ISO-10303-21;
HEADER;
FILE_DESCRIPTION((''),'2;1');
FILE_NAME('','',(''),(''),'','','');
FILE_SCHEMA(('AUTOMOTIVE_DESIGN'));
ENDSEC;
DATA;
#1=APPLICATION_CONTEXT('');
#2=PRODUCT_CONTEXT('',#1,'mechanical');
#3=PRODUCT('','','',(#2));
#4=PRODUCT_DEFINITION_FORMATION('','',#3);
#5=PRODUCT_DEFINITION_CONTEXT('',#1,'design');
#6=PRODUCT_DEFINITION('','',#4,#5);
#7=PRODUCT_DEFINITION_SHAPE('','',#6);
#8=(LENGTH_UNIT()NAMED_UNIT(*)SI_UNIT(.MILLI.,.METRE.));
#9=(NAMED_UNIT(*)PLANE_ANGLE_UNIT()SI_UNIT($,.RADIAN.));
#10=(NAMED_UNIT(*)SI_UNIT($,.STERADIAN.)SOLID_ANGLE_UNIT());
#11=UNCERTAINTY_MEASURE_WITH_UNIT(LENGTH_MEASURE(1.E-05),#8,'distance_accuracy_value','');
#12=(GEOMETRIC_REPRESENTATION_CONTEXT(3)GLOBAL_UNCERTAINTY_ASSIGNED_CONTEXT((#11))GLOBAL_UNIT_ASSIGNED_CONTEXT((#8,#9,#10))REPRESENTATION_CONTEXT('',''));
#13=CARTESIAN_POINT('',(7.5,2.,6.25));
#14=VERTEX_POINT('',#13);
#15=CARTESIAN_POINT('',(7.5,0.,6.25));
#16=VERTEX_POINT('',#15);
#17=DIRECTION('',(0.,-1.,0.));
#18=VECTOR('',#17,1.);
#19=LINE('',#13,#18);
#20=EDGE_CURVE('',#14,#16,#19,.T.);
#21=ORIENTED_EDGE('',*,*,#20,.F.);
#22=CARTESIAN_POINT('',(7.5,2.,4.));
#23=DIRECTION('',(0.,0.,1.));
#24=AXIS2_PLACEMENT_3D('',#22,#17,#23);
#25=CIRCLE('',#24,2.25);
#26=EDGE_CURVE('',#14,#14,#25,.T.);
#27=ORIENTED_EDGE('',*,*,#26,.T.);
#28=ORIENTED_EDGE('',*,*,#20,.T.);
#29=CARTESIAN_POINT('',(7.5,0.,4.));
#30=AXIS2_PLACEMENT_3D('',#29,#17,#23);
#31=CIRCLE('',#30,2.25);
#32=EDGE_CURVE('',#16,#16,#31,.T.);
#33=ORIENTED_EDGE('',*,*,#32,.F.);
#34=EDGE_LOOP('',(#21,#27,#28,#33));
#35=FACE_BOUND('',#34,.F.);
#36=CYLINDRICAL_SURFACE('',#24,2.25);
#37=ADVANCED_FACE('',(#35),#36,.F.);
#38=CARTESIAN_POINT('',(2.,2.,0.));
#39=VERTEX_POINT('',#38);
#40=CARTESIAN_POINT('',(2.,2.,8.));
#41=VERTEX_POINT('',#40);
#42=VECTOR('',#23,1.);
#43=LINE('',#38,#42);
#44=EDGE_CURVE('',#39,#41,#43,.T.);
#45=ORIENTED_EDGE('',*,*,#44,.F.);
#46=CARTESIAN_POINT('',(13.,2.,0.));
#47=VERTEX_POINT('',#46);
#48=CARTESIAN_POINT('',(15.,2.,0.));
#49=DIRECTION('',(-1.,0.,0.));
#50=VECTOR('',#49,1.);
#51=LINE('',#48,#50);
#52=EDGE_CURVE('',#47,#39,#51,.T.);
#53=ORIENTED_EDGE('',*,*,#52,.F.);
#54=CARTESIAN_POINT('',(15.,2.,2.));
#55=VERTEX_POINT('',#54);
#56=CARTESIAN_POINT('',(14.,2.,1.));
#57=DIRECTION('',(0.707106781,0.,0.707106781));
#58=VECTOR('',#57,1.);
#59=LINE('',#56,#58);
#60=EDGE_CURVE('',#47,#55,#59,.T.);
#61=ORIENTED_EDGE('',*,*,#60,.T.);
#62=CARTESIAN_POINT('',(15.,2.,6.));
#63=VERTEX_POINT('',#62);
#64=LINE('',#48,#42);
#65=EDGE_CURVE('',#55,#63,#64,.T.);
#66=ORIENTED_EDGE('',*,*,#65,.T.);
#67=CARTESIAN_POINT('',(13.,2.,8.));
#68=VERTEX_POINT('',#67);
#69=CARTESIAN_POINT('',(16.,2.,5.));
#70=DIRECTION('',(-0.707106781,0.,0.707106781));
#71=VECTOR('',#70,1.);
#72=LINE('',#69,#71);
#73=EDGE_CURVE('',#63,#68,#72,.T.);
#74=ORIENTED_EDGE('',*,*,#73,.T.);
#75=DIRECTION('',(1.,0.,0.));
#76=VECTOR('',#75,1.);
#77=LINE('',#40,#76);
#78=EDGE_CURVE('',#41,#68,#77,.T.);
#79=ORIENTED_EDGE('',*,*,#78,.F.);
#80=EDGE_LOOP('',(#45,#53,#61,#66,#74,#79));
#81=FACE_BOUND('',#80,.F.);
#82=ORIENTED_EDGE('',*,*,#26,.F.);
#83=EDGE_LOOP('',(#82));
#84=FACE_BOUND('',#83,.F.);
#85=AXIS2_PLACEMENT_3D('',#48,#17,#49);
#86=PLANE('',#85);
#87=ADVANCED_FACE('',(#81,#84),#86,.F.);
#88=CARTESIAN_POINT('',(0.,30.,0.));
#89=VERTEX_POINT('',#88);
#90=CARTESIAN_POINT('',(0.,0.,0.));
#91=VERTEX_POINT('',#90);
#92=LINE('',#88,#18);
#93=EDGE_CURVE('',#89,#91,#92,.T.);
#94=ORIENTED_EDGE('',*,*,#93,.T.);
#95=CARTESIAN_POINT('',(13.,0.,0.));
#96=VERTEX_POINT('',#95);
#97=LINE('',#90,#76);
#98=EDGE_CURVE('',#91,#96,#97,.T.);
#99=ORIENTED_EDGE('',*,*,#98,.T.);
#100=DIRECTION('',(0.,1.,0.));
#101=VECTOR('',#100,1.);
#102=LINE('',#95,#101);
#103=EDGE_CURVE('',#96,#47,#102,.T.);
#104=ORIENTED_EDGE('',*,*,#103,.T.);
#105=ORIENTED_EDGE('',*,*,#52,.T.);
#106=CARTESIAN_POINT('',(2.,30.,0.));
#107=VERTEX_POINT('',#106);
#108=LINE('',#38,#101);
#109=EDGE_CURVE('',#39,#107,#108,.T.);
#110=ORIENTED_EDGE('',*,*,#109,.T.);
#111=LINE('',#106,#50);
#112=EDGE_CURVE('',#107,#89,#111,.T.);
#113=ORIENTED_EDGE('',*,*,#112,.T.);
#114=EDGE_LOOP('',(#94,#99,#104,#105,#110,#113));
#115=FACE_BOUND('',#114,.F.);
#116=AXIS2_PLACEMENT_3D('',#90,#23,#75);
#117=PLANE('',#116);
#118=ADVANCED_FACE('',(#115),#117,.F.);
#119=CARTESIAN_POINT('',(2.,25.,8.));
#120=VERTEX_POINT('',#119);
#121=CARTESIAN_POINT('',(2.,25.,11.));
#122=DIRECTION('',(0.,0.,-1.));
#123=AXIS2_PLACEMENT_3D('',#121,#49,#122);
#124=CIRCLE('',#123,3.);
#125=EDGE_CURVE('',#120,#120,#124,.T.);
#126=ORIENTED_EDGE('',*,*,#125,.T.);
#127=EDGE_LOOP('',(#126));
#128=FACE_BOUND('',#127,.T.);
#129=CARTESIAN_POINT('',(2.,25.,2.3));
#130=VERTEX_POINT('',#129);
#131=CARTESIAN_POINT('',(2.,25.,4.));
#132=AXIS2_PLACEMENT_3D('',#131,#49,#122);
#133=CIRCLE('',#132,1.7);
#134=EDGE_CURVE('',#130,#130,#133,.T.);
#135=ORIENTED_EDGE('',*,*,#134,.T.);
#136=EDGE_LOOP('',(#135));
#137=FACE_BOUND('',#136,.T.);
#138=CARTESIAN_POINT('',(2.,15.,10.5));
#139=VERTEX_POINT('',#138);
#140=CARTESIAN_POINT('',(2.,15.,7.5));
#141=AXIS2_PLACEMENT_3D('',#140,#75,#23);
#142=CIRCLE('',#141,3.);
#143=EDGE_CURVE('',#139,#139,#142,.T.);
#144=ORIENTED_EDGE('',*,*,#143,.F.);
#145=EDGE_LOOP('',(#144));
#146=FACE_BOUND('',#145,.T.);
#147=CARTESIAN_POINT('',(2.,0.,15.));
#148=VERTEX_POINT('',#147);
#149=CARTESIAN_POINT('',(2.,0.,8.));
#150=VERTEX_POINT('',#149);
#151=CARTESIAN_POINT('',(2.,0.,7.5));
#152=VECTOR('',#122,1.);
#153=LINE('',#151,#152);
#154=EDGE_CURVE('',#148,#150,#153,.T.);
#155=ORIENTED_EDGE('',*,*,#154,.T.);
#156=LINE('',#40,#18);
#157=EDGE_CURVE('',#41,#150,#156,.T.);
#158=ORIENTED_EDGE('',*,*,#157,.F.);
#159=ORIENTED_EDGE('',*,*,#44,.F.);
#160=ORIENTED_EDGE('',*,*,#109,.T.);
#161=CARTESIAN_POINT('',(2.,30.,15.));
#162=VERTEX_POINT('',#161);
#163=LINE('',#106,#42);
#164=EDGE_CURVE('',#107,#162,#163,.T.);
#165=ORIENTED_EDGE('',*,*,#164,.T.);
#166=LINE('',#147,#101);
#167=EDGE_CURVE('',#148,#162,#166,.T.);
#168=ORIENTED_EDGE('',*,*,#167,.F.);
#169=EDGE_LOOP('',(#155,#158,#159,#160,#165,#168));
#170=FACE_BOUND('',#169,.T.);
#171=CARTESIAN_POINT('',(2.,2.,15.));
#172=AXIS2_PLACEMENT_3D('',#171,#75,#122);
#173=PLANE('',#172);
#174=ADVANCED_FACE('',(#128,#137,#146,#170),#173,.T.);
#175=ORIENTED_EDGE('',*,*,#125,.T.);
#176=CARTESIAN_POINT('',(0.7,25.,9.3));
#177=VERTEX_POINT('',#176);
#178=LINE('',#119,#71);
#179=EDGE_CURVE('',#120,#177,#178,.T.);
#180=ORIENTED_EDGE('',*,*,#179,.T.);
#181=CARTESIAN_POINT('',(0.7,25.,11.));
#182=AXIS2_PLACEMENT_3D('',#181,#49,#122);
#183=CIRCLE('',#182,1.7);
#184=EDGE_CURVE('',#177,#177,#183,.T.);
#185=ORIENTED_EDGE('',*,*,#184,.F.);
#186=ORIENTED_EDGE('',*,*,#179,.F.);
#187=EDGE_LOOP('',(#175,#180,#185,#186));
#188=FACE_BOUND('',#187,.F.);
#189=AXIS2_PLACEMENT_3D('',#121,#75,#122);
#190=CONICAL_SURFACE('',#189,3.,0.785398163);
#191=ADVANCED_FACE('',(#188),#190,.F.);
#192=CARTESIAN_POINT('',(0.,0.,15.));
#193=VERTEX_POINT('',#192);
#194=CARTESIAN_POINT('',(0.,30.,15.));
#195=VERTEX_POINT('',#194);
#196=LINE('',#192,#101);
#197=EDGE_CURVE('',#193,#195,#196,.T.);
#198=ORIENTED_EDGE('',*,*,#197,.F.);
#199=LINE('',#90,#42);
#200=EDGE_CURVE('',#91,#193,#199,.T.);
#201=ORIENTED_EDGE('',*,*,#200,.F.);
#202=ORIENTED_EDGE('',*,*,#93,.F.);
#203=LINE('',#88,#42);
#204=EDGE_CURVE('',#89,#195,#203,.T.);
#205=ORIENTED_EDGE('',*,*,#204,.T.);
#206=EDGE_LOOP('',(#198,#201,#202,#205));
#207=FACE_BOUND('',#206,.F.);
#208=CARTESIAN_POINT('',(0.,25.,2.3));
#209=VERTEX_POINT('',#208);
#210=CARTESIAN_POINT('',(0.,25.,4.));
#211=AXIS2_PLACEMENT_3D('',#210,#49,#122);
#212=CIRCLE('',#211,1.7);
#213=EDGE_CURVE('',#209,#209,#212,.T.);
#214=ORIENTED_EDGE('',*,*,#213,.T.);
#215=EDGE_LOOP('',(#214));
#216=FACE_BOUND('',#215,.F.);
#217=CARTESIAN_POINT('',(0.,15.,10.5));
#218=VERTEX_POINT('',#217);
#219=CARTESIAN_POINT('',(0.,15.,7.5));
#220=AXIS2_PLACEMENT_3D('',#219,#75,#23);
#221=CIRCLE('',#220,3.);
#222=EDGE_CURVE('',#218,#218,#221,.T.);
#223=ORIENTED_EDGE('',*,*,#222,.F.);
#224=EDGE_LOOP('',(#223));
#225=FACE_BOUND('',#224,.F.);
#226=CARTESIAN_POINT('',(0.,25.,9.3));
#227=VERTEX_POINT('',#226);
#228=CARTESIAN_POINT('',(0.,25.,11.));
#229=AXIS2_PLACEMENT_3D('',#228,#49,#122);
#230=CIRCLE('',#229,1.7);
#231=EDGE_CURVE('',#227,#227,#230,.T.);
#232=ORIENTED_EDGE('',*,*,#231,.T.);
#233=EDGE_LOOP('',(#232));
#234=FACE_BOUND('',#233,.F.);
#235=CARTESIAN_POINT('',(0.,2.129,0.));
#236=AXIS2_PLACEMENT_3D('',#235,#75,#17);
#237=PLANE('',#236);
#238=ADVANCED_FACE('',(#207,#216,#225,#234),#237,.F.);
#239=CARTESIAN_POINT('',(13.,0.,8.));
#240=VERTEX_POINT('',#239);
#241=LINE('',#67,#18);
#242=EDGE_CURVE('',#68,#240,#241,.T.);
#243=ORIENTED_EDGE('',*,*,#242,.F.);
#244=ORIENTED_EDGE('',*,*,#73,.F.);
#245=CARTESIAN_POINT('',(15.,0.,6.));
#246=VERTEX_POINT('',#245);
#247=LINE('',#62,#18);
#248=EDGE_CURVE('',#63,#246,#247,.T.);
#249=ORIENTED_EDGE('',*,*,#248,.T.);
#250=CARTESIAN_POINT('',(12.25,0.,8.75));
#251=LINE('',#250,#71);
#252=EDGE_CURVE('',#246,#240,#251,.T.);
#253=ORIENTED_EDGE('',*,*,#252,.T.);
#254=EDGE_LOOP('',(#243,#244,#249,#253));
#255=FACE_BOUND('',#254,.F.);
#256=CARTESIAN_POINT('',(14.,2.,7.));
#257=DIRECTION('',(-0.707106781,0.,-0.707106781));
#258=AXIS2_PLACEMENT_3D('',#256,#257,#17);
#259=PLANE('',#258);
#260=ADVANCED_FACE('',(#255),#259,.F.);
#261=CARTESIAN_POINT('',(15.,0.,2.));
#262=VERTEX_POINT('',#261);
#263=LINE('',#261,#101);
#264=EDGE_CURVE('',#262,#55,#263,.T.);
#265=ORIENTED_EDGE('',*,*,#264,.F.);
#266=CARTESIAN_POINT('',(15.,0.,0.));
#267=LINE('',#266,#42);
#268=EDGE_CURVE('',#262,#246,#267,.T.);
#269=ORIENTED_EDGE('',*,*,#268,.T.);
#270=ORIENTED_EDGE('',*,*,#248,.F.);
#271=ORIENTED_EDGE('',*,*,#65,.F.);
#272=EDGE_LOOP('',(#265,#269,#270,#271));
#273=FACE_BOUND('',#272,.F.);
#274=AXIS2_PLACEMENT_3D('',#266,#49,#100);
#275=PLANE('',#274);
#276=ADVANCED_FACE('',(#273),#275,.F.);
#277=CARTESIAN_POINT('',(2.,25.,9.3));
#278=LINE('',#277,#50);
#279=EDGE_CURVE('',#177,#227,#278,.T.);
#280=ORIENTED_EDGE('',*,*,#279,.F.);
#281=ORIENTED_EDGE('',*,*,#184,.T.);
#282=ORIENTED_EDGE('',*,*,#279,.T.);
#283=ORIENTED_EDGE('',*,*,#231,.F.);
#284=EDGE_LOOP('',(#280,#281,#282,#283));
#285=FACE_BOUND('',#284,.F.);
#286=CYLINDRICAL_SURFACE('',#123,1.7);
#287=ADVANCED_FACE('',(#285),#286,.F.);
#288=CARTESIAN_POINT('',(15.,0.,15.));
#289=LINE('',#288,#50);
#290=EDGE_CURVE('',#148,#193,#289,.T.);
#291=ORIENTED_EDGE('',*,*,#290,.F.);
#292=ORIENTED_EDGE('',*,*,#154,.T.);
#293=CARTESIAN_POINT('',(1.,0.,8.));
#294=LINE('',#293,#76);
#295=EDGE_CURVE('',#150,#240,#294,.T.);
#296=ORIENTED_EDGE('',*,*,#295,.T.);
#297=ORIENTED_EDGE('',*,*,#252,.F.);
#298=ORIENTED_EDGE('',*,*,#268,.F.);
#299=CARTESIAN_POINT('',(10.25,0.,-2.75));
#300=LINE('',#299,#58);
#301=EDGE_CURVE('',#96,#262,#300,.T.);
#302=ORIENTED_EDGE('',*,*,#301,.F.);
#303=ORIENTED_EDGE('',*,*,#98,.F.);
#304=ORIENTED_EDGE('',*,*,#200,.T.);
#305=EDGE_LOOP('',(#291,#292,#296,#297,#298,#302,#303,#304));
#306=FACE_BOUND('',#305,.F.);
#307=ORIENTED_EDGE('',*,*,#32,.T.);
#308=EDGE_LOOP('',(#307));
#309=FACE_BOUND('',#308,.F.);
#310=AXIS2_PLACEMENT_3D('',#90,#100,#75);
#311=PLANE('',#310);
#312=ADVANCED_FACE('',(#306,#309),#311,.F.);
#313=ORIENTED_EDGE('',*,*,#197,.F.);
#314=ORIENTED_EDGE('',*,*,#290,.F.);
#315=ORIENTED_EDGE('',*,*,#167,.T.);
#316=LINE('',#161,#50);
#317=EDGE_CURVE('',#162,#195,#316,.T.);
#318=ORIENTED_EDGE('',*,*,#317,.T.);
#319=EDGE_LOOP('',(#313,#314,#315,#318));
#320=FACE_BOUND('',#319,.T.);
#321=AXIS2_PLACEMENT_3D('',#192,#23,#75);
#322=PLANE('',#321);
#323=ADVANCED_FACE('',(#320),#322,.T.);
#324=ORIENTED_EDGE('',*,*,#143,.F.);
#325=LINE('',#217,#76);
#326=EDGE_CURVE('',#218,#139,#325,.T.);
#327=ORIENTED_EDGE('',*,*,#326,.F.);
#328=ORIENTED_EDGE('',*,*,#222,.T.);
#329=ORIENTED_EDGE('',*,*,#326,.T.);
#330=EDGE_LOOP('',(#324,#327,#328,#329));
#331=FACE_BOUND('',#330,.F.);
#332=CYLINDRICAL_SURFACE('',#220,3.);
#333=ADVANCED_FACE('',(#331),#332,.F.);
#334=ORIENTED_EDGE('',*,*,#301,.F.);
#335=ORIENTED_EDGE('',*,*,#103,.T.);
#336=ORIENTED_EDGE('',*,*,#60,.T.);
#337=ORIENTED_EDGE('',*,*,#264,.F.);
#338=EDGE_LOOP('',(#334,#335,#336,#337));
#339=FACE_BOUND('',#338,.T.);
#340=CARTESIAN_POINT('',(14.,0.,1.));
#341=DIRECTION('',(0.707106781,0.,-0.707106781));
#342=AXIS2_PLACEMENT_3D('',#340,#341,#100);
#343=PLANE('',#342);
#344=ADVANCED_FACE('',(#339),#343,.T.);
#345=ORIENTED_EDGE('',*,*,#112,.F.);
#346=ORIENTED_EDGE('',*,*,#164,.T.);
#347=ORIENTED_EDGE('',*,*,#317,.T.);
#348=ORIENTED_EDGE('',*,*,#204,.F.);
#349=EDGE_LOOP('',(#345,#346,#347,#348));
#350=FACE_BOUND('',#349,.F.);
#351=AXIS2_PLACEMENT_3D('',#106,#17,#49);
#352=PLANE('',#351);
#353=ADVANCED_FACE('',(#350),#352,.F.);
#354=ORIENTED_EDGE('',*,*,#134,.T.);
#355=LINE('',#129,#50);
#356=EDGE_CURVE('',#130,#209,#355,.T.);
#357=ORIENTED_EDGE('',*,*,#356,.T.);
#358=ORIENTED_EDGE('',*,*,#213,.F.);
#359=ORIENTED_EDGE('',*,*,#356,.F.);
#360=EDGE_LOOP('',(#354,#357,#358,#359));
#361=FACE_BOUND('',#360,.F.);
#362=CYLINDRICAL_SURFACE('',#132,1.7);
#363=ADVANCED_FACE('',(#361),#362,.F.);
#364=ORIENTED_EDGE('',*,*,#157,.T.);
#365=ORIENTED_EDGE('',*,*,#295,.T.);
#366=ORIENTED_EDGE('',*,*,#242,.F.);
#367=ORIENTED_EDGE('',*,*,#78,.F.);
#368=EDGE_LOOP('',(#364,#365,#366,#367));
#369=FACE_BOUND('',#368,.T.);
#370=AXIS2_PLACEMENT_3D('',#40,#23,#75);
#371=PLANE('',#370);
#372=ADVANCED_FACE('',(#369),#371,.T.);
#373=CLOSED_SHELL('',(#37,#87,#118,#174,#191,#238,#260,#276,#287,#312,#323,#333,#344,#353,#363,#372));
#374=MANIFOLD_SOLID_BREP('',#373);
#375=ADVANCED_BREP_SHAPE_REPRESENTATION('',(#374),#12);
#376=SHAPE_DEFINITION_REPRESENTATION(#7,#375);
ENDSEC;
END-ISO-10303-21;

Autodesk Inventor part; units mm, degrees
ref_plane "YZ Plane" through (0, 0, 0) normal (1, 0, 0) x (0, 1, 0)
ref_plane "XZ Plane" through (0, 0, 0) normal (0, 1, 0) x (-1, 0, 0)
ref_plane "XY Plane" through (0, 0, 0) normal (0, 0, 1) x (1, 0, 0)
sketch "Skizze1" plane through (0, 0, 0) normal (0, 0, 1) x (1, 0, 0)
  line L0 (0, 0) -> (1.7032, 0)
  line L1 (2, 2) -> (2, 30)
  line L2 (2, 30) -> (0, 30)
  line L3 (0, 30) -> (0, 0)
  line L4 (0, 0) -> (15, 0)
  line L5 (15, 0) -> (15, 2)
  line L6 (15, 2) -> (2, 2)
  line L7 (0, 2.129) -> (0, 0)
  dimension "d0" = 30
  dimension "d1" = 15
  dimension "d2" = 2
extrude "Extrusion1" add sketch "Skizze1" along normal blind 15
sketch "Skizze2" plane through (0, 0, 0) normal (-1, 0, 0) x (0, 0, 1)
  line L0 (0, 30) -> (15, 30) projected
  line L1 (0, 0) -> (0, 30) projected
  line L2 (0, 0) -> (15, 0) projected
  line L3 (0, -6) -> (0, 36) projected
  line L4 (-3, 0) -> (18, 0) projected
  line L5 (7.5, 30) -> (7.5, 0)
  point P0 (7.5, 15)
  dimension "d5" = 30
  dimension "d6" = 7.5
  dimension "d7" = 15
hole "Bohrung1" at (0, 15, 7.5) direction (1, 0, 0) diameter 6 end through all
sketch "Skizze3" plane through (2, 2, 0) normal (0, 1, 0) x (1, 0, 0)
  line L0 (0, -15) -> (13, -15) projected
  line L1 (0, -8) -> (13, -8)
  line L2 (13, 0) -> (13, -15) projected
  line L3 (0, 0) -> (13, 0) projected
  line L4 (0, -15) -> (0, -8)
  line L5 (13, -8) -> (13, -15)
  line L6 (13, -15) -> (0, -15)
  point P0 (-2, 0)
  dimension "d18" = 8
extrude "Extrusion2" cut sketch "Skizze3" against normal through all
sketch "Skizze4" plane through (2, 2, 0) normal (1, 0, 0) x (0, 0, -1)
  line L0 (-15, -2) -> (-15, 28) projected
  line L1 (0, 28) -> (0, 0) projected
  line L2 (0, 28) -> (-15, 28) projected
  line L3 (-15, 23) -> (0, 23)
  point P0 (0, -2)
  point P1 (-11, 23)
  point P2 (-4, 23)
  dimension "d19" = 5
  dimension "d20" = 4
  dimension "d21" = 4
hole "Bohrung2" at (2, 25, 11) at (2, 25, 4) direction (-1, 0, 0) diameter 3.4 end through all
sketch "Skizze5" plane through (2, 2, 0) normal (0, 1, 0) x (1, 0, 0)
  line L0 (13, 0) -> (13, -8) projected
  line L1 (0, 0) -> (13, 0) projected
  point P0 (-2, 0)
  point P1 (5.5, -4)
  dimension "d29" = 4
  dimension "d30" = 7.5
hole "Bohrung3" at (7.5, 2, 4) direction (0, -1, 0) diameter 4.5 end through all
hole "Bohrung4" at (2, 25, 11) direction (-1, 0, 0) diameter 3.4 end through all countersink diameter 6 countersink angle 90
chamfer "Fase1" distance 2 angle 45 2 edges at (15, 1, 8) (15, 1, 0)
properties part number "13_0204_053"
